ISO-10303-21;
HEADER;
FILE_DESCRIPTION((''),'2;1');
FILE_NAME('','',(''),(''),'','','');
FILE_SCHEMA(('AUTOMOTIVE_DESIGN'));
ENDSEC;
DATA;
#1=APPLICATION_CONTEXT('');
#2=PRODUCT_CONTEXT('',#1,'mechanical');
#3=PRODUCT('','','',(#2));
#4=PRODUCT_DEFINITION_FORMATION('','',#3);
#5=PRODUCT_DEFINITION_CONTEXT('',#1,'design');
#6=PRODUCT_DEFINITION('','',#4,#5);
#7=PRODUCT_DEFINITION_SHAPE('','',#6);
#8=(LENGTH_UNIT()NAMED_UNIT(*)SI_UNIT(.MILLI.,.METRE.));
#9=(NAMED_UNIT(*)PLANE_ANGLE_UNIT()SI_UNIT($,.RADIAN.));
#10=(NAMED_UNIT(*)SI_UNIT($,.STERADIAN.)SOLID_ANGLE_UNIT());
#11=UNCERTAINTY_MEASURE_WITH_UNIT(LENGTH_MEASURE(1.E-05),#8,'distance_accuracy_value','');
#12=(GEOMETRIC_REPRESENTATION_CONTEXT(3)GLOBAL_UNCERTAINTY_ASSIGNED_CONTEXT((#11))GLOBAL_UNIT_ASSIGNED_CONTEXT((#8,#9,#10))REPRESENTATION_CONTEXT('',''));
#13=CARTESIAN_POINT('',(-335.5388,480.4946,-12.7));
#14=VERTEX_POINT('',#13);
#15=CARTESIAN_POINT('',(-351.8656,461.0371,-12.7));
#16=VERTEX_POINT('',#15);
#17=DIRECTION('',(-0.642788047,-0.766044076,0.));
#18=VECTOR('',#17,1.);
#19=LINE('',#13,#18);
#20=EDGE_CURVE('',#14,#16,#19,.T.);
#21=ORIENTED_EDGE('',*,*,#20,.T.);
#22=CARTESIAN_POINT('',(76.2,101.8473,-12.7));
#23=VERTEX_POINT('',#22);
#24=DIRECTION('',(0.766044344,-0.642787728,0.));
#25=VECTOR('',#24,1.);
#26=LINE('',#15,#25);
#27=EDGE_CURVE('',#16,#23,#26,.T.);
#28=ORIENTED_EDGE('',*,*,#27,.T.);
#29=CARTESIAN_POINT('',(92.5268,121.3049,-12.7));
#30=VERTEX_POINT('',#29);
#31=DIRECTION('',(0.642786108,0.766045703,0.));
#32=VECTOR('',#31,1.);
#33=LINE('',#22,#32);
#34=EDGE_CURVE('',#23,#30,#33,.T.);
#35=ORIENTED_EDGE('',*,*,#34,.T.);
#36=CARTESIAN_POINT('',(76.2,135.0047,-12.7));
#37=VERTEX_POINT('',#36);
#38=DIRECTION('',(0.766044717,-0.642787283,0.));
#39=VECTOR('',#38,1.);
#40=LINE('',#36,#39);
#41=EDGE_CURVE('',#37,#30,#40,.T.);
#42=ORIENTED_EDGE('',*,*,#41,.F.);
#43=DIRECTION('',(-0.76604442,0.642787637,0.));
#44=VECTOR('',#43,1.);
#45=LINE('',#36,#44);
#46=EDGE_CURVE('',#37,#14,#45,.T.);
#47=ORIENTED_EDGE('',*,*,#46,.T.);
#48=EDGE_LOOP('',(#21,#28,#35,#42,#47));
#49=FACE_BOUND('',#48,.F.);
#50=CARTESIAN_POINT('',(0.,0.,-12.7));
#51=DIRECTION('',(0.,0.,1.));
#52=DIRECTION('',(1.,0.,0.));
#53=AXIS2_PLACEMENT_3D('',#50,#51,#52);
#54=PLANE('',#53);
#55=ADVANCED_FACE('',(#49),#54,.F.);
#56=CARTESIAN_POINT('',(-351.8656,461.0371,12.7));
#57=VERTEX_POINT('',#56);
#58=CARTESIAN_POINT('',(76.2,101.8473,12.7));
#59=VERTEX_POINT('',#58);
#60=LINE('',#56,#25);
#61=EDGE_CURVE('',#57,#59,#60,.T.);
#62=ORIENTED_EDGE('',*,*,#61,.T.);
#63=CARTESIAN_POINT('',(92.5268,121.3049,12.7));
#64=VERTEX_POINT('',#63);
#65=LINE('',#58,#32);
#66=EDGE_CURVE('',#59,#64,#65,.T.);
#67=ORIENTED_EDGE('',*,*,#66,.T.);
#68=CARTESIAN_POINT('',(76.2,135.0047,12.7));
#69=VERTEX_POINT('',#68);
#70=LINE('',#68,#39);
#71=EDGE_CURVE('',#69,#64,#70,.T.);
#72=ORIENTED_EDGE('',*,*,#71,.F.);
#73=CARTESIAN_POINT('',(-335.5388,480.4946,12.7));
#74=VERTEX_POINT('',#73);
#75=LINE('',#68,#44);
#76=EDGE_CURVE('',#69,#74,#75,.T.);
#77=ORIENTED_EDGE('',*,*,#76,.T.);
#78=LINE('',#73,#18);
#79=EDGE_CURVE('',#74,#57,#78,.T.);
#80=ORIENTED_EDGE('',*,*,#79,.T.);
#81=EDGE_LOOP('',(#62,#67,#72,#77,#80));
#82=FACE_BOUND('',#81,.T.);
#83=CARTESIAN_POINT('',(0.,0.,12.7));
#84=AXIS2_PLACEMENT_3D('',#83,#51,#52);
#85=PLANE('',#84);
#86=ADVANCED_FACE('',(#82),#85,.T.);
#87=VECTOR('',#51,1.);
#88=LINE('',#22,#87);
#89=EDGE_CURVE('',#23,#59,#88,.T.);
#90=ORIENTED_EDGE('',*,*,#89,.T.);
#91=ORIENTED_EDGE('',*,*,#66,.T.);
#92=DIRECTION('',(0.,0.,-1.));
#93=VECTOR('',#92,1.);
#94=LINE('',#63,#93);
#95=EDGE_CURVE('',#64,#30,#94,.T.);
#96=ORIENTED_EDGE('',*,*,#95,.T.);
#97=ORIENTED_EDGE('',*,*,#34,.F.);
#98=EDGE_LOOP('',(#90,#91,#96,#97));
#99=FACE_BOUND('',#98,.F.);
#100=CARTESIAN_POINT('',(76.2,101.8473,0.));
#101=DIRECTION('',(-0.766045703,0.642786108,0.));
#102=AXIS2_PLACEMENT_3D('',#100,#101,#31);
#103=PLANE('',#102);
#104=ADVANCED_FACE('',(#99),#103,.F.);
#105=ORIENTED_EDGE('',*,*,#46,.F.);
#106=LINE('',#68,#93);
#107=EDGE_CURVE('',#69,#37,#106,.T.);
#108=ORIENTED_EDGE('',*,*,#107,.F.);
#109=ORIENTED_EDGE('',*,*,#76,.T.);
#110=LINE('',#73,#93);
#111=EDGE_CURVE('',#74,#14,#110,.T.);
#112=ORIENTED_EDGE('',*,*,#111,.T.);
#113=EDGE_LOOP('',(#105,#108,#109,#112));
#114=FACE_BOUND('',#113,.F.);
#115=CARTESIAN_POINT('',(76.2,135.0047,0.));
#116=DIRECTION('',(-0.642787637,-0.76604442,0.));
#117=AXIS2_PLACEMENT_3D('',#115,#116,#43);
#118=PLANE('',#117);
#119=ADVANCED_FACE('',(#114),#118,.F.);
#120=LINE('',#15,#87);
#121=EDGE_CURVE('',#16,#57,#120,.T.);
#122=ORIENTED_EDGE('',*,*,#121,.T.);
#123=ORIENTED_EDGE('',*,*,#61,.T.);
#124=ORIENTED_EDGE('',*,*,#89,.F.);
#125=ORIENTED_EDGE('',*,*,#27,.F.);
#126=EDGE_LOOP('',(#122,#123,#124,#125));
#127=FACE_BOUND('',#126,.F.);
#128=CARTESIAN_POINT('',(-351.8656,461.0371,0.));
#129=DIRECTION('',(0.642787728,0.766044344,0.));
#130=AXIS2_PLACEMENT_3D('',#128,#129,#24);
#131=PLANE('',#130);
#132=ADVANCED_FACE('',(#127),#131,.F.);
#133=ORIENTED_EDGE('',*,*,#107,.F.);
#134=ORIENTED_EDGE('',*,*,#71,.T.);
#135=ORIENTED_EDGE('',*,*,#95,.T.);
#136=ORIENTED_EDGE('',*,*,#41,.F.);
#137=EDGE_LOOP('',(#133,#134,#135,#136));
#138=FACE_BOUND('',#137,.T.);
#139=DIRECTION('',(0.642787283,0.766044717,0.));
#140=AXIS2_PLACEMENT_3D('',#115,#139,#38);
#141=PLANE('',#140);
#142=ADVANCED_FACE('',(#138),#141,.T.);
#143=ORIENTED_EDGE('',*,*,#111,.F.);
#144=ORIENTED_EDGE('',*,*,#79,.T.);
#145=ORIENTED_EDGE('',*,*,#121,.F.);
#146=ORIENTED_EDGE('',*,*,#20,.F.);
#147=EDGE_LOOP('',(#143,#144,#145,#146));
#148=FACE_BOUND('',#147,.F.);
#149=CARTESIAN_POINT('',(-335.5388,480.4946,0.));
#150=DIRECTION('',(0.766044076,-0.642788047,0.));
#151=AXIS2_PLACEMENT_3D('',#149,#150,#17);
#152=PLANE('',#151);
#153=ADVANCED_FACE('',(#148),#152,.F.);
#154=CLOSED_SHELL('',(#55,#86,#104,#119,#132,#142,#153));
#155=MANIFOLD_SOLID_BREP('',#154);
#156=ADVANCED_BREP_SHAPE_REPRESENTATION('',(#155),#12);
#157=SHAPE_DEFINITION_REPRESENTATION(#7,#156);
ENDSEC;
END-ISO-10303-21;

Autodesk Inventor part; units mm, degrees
ref_plane "XZ Plane" through (0, 0, 0) normal (0, 1, 0) x (-1, 0, 0)
ref_plane "XY Plane" through (0, 0, 0) normal (0, 0, 1) x (1, 0, 0)
sketch "Sketch1" plane through (0, 0, 0) normal (0, 0, 1) x (1, 0, 0)
  line L0 (-351.8656, 461.0371) -> (76.2, 101.8473)
  line L1 (76.2, 135.0047) -> (-335.5388, 480.4946)
  line L2 (-335.5388, 480.4946) -> (-351.8656, 461.0371)
  line L3 (0, 0) -> (0, 391.6762) construction
  line L4 (76.2, 135.0047) -> (76.2, 101.8473)
  line L5 (76.2, 135.0047) -> (92.5268, 121.3049)
  line L6 (76.2, 101.8473) -> (92.5268, 121.3049)
  dimension "d29" = 76.2
  dimension "d30" = 558.8
extrude "Extrusion2" add sketch "Sketch1" along normal mid plane 25.4
ref_plane "Work Plane1" through (88.9, 0, 0) normal (1, 0, 0) x (0, 1, 0)
properties part number "newPullyV03"
